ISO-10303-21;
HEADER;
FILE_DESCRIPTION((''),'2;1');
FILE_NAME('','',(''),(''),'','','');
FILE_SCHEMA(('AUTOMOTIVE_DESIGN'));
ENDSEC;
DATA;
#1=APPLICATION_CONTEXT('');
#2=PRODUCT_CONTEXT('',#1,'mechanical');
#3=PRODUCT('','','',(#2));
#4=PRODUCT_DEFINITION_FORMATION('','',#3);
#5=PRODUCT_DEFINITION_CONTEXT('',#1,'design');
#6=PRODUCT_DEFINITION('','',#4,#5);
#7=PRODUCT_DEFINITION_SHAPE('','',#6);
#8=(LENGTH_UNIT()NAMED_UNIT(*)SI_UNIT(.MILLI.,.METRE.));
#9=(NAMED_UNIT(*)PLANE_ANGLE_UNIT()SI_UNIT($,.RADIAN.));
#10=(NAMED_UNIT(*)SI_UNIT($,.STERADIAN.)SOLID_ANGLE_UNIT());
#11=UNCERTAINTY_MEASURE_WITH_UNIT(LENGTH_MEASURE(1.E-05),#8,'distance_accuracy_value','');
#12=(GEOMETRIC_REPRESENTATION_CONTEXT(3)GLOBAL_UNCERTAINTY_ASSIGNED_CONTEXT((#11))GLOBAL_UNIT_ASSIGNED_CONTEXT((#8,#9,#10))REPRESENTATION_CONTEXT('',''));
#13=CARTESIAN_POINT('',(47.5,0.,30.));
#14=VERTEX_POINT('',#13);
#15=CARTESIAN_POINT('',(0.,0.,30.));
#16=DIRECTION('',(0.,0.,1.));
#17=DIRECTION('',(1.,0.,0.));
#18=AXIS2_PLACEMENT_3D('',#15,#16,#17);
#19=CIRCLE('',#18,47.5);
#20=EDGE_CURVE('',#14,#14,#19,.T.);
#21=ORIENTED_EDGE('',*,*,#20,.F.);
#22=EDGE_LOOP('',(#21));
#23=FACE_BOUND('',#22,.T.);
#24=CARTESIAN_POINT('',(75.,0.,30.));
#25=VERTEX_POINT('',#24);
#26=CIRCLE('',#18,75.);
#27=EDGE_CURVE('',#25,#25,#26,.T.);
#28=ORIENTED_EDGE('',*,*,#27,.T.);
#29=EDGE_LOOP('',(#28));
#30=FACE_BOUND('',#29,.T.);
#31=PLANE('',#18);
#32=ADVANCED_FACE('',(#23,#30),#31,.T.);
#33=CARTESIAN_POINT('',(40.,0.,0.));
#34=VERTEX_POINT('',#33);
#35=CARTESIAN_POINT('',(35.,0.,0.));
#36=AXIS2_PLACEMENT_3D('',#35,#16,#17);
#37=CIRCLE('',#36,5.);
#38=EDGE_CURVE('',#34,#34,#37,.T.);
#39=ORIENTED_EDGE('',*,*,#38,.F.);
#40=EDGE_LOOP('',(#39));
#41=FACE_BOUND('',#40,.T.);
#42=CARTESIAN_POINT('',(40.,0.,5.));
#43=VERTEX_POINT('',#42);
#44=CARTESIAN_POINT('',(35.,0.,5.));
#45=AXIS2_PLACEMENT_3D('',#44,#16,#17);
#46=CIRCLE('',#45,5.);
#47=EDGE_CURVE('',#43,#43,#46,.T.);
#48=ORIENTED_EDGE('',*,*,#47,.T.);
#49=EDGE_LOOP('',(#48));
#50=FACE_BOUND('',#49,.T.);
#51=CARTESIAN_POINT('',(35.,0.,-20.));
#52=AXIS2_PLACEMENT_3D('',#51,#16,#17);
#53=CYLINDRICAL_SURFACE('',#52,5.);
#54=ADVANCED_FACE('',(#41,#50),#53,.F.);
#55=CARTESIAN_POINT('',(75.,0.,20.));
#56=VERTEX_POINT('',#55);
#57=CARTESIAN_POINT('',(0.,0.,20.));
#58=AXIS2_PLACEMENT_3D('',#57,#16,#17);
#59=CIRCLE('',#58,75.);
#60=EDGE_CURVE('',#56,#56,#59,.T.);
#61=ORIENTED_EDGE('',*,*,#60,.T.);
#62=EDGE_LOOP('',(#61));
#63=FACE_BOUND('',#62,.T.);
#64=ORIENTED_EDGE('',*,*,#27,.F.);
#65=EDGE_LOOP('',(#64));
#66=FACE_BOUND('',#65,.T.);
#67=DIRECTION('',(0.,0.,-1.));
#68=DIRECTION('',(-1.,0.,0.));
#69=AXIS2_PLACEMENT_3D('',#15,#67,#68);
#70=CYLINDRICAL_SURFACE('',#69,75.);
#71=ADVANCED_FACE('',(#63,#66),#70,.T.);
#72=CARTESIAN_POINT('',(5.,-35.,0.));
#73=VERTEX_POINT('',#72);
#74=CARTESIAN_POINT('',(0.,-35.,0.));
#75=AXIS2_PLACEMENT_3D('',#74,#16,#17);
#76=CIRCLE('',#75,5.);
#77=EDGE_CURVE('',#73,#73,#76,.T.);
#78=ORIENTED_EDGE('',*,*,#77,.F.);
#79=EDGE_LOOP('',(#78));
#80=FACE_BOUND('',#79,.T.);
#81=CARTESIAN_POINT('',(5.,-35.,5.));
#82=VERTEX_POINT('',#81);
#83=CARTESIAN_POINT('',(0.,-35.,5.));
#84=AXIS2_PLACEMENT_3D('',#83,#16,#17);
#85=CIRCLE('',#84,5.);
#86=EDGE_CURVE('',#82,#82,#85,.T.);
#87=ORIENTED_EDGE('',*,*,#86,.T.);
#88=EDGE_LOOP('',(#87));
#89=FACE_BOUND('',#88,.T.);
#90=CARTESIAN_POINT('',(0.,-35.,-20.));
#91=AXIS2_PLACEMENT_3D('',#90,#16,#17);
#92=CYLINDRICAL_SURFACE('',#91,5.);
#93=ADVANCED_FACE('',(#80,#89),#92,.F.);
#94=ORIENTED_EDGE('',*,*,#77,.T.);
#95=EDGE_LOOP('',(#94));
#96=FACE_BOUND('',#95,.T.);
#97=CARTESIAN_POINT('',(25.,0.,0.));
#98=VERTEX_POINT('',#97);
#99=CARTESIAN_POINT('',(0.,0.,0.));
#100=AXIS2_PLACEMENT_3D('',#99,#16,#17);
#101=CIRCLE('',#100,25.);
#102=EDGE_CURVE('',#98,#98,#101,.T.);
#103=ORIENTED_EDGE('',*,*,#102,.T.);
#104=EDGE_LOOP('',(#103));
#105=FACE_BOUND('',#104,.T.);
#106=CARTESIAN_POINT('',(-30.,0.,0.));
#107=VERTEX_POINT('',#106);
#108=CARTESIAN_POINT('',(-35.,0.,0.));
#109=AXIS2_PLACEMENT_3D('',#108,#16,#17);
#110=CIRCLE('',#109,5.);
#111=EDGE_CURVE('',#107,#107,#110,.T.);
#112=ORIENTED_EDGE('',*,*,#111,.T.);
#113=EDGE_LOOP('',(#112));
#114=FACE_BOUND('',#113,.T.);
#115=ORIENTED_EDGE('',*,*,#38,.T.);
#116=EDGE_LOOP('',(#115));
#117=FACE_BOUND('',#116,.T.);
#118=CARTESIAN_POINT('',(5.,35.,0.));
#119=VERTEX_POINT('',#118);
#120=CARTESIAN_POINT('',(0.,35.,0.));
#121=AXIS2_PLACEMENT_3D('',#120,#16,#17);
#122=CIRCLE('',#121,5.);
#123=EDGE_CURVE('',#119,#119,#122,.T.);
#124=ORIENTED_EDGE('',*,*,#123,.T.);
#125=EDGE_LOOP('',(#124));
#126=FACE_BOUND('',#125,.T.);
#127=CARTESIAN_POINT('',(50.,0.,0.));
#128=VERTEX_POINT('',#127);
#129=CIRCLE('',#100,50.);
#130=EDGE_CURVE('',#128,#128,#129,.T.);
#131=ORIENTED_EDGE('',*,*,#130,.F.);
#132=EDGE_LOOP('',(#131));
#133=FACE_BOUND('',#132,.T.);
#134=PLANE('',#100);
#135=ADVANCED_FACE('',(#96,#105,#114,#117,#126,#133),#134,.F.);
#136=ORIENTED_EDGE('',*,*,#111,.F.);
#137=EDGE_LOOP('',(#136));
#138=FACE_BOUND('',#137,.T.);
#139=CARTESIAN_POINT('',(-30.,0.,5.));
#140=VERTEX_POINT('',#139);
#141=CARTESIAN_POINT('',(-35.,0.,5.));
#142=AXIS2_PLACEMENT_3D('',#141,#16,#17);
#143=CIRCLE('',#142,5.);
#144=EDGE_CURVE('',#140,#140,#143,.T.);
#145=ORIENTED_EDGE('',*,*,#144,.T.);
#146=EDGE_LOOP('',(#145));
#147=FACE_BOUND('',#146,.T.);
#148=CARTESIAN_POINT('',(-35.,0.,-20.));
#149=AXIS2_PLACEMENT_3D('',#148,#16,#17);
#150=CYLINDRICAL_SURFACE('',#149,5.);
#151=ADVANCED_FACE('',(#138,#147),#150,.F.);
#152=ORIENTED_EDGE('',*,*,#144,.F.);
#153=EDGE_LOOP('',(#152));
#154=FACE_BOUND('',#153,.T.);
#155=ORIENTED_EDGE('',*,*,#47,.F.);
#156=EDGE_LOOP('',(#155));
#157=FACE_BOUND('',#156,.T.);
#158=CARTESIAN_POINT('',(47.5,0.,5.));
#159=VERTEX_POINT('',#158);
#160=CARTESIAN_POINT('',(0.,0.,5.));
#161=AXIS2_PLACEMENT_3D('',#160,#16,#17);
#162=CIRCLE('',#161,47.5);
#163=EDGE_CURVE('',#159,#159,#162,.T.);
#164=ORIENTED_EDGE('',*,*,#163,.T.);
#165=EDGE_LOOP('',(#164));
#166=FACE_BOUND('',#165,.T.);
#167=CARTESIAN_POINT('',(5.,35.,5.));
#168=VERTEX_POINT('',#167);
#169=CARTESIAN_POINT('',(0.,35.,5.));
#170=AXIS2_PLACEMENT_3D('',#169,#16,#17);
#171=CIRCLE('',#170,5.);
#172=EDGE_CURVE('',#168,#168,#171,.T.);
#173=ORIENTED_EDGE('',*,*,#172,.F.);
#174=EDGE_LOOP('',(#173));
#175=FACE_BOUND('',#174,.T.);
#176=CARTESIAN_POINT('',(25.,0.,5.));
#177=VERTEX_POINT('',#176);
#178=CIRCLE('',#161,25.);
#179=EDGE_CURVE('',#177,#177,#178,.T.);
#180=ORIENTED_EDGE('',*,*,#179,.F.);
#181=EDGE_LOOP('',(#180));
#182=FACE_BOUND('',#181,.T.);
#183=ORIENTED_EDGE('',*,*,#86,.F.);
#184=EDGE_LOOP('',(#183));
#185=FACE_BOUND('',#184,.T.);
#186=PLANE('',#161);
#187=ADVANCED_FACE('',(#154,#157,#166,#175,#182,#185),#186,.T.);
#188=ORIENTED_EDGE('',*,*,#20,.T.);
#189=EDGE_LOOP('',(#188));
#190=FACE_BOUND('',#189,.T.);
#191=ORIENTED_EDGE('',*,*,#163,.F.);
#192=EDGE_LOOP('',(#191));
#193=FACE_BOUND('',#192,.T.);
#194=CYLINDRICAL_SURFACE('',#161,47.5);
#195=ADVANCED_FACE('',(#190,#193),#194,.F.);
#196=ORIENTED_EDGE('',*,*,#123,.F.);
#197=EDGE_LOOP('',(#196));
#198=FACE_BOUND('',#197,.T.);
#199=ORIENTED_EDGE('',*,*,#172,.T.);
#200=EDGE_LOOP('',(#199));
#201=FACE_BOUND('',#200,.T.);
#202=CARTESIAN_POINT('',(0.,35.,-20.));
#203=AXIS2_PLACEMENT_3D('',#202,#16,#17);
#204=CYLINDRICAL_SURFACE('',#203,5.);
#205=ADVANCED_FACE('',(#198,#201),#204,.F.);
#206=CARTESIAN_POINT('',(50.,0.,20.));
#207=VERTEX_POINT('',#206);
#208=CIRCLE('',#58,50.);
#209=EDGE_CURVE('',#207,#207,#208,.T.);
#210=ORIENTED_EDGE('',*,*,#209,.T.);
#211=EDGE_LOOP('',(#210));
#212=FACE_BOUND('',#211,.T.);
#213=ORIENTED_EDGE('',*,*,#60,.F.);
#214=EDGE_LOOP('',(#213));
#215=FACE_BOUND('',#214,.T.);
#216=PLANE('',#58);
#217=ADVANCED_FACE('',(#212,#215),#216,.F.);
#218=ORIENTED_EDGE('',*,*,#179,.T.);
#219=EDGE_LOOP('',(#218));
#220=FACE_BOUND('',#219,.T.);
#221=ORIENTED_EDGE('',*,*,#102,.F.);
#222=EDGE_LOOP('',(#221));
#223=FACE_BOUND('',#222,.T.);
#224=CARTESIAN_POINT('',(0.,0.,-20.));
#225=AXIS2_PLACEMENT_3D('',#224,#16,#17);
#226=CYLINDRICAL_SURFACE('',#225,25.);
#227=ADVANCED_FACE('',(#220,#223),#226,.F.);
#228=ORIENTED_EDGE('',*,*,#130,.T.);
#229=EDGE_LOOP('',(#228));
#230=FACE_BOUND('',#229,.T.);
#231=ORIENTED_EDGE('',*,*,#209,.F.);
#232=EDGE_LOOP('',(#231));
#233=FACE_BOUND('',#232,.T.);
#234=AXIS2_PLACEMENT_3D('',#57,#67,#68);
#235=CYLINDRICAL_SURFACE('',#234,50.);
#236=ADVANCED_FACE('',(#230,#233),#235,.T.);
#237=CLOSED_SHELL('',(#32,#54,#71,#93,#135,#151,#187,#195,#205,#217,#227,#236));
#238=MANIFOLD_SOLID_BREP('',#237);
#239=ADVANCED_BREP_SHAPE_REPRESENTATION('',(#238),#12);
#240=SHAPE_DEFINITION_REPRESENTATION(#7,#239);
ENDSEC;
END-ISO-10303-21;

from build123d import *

# Parameters (mm, degrees)
SKETCH1_R           = 50
BOSS_EXTRUDE1_DEPTH = 20
SKETCH3_R           = 75
BOSS_EXTRUDE2_DEPTH = 10
SKETCH4_R           = 47.5
CUT_EXTRUDE3_DEPTH  = 25
SKETCH5_R           = 25
CUT_EXTRUDE4_DEPTH  = 25
SKETCH6_R           = 5
CUT_EXTRUDE5_DEPTH  = 25


with BuildPart() as part:
    # Sketch1 → Boss-Extrude1 (new body)
    with BuildSketch(Plane.XY):
        Circle(SKETCH1_R)
    extrude(amount=BOSS_EXTRUDE1_DEPTH)

    # Sketch3 → Boss-Extrude2 (add)
    with BuildSketch(Plane.XY.offset(20)):
        Circle(SKETCH3_R)
    extrude(amount=BOSS_EXTRUDE2_DEPTH)

    # Sketch4 → Cut-Extrude3 (cut)
    with BuildSketch(Plane.XY.offset(30)):
        Circle(SKETCH4_R)
    extrude(amount=-CUT_EXTRUDE3_DEPTH, mode=Mode.SUBTRACT)

    # Sketch5 → Cut-Extrude4 (cut)
    with BuildSketch(Plane.XY.offset(5)):
        Circle(SKETCH5_R)
    extrude(amount=-CUT_EXTRUDE4_DEPTH, mode=Mode.SUBTRACT)

    # Sketch6 → Cut-Extrude5 (cut)
    with BuildSketch(Plane.XY.offset(5)):
        with Locations((0, 35)):
            Circle(SKETCH6_R)
        with Locations((35, 0)):
            Circle(SKETCH6_R)
        with Locations((0, -35)):
            Circle(SKETCH6_R)
        with Locations((-35, 0)):
            Circle(SKETCH6_R)
    extrude(amount=-CUT_EXTRUDE5_DEPTH, mode=Mode.SUBTRACT)


solid = part.part
